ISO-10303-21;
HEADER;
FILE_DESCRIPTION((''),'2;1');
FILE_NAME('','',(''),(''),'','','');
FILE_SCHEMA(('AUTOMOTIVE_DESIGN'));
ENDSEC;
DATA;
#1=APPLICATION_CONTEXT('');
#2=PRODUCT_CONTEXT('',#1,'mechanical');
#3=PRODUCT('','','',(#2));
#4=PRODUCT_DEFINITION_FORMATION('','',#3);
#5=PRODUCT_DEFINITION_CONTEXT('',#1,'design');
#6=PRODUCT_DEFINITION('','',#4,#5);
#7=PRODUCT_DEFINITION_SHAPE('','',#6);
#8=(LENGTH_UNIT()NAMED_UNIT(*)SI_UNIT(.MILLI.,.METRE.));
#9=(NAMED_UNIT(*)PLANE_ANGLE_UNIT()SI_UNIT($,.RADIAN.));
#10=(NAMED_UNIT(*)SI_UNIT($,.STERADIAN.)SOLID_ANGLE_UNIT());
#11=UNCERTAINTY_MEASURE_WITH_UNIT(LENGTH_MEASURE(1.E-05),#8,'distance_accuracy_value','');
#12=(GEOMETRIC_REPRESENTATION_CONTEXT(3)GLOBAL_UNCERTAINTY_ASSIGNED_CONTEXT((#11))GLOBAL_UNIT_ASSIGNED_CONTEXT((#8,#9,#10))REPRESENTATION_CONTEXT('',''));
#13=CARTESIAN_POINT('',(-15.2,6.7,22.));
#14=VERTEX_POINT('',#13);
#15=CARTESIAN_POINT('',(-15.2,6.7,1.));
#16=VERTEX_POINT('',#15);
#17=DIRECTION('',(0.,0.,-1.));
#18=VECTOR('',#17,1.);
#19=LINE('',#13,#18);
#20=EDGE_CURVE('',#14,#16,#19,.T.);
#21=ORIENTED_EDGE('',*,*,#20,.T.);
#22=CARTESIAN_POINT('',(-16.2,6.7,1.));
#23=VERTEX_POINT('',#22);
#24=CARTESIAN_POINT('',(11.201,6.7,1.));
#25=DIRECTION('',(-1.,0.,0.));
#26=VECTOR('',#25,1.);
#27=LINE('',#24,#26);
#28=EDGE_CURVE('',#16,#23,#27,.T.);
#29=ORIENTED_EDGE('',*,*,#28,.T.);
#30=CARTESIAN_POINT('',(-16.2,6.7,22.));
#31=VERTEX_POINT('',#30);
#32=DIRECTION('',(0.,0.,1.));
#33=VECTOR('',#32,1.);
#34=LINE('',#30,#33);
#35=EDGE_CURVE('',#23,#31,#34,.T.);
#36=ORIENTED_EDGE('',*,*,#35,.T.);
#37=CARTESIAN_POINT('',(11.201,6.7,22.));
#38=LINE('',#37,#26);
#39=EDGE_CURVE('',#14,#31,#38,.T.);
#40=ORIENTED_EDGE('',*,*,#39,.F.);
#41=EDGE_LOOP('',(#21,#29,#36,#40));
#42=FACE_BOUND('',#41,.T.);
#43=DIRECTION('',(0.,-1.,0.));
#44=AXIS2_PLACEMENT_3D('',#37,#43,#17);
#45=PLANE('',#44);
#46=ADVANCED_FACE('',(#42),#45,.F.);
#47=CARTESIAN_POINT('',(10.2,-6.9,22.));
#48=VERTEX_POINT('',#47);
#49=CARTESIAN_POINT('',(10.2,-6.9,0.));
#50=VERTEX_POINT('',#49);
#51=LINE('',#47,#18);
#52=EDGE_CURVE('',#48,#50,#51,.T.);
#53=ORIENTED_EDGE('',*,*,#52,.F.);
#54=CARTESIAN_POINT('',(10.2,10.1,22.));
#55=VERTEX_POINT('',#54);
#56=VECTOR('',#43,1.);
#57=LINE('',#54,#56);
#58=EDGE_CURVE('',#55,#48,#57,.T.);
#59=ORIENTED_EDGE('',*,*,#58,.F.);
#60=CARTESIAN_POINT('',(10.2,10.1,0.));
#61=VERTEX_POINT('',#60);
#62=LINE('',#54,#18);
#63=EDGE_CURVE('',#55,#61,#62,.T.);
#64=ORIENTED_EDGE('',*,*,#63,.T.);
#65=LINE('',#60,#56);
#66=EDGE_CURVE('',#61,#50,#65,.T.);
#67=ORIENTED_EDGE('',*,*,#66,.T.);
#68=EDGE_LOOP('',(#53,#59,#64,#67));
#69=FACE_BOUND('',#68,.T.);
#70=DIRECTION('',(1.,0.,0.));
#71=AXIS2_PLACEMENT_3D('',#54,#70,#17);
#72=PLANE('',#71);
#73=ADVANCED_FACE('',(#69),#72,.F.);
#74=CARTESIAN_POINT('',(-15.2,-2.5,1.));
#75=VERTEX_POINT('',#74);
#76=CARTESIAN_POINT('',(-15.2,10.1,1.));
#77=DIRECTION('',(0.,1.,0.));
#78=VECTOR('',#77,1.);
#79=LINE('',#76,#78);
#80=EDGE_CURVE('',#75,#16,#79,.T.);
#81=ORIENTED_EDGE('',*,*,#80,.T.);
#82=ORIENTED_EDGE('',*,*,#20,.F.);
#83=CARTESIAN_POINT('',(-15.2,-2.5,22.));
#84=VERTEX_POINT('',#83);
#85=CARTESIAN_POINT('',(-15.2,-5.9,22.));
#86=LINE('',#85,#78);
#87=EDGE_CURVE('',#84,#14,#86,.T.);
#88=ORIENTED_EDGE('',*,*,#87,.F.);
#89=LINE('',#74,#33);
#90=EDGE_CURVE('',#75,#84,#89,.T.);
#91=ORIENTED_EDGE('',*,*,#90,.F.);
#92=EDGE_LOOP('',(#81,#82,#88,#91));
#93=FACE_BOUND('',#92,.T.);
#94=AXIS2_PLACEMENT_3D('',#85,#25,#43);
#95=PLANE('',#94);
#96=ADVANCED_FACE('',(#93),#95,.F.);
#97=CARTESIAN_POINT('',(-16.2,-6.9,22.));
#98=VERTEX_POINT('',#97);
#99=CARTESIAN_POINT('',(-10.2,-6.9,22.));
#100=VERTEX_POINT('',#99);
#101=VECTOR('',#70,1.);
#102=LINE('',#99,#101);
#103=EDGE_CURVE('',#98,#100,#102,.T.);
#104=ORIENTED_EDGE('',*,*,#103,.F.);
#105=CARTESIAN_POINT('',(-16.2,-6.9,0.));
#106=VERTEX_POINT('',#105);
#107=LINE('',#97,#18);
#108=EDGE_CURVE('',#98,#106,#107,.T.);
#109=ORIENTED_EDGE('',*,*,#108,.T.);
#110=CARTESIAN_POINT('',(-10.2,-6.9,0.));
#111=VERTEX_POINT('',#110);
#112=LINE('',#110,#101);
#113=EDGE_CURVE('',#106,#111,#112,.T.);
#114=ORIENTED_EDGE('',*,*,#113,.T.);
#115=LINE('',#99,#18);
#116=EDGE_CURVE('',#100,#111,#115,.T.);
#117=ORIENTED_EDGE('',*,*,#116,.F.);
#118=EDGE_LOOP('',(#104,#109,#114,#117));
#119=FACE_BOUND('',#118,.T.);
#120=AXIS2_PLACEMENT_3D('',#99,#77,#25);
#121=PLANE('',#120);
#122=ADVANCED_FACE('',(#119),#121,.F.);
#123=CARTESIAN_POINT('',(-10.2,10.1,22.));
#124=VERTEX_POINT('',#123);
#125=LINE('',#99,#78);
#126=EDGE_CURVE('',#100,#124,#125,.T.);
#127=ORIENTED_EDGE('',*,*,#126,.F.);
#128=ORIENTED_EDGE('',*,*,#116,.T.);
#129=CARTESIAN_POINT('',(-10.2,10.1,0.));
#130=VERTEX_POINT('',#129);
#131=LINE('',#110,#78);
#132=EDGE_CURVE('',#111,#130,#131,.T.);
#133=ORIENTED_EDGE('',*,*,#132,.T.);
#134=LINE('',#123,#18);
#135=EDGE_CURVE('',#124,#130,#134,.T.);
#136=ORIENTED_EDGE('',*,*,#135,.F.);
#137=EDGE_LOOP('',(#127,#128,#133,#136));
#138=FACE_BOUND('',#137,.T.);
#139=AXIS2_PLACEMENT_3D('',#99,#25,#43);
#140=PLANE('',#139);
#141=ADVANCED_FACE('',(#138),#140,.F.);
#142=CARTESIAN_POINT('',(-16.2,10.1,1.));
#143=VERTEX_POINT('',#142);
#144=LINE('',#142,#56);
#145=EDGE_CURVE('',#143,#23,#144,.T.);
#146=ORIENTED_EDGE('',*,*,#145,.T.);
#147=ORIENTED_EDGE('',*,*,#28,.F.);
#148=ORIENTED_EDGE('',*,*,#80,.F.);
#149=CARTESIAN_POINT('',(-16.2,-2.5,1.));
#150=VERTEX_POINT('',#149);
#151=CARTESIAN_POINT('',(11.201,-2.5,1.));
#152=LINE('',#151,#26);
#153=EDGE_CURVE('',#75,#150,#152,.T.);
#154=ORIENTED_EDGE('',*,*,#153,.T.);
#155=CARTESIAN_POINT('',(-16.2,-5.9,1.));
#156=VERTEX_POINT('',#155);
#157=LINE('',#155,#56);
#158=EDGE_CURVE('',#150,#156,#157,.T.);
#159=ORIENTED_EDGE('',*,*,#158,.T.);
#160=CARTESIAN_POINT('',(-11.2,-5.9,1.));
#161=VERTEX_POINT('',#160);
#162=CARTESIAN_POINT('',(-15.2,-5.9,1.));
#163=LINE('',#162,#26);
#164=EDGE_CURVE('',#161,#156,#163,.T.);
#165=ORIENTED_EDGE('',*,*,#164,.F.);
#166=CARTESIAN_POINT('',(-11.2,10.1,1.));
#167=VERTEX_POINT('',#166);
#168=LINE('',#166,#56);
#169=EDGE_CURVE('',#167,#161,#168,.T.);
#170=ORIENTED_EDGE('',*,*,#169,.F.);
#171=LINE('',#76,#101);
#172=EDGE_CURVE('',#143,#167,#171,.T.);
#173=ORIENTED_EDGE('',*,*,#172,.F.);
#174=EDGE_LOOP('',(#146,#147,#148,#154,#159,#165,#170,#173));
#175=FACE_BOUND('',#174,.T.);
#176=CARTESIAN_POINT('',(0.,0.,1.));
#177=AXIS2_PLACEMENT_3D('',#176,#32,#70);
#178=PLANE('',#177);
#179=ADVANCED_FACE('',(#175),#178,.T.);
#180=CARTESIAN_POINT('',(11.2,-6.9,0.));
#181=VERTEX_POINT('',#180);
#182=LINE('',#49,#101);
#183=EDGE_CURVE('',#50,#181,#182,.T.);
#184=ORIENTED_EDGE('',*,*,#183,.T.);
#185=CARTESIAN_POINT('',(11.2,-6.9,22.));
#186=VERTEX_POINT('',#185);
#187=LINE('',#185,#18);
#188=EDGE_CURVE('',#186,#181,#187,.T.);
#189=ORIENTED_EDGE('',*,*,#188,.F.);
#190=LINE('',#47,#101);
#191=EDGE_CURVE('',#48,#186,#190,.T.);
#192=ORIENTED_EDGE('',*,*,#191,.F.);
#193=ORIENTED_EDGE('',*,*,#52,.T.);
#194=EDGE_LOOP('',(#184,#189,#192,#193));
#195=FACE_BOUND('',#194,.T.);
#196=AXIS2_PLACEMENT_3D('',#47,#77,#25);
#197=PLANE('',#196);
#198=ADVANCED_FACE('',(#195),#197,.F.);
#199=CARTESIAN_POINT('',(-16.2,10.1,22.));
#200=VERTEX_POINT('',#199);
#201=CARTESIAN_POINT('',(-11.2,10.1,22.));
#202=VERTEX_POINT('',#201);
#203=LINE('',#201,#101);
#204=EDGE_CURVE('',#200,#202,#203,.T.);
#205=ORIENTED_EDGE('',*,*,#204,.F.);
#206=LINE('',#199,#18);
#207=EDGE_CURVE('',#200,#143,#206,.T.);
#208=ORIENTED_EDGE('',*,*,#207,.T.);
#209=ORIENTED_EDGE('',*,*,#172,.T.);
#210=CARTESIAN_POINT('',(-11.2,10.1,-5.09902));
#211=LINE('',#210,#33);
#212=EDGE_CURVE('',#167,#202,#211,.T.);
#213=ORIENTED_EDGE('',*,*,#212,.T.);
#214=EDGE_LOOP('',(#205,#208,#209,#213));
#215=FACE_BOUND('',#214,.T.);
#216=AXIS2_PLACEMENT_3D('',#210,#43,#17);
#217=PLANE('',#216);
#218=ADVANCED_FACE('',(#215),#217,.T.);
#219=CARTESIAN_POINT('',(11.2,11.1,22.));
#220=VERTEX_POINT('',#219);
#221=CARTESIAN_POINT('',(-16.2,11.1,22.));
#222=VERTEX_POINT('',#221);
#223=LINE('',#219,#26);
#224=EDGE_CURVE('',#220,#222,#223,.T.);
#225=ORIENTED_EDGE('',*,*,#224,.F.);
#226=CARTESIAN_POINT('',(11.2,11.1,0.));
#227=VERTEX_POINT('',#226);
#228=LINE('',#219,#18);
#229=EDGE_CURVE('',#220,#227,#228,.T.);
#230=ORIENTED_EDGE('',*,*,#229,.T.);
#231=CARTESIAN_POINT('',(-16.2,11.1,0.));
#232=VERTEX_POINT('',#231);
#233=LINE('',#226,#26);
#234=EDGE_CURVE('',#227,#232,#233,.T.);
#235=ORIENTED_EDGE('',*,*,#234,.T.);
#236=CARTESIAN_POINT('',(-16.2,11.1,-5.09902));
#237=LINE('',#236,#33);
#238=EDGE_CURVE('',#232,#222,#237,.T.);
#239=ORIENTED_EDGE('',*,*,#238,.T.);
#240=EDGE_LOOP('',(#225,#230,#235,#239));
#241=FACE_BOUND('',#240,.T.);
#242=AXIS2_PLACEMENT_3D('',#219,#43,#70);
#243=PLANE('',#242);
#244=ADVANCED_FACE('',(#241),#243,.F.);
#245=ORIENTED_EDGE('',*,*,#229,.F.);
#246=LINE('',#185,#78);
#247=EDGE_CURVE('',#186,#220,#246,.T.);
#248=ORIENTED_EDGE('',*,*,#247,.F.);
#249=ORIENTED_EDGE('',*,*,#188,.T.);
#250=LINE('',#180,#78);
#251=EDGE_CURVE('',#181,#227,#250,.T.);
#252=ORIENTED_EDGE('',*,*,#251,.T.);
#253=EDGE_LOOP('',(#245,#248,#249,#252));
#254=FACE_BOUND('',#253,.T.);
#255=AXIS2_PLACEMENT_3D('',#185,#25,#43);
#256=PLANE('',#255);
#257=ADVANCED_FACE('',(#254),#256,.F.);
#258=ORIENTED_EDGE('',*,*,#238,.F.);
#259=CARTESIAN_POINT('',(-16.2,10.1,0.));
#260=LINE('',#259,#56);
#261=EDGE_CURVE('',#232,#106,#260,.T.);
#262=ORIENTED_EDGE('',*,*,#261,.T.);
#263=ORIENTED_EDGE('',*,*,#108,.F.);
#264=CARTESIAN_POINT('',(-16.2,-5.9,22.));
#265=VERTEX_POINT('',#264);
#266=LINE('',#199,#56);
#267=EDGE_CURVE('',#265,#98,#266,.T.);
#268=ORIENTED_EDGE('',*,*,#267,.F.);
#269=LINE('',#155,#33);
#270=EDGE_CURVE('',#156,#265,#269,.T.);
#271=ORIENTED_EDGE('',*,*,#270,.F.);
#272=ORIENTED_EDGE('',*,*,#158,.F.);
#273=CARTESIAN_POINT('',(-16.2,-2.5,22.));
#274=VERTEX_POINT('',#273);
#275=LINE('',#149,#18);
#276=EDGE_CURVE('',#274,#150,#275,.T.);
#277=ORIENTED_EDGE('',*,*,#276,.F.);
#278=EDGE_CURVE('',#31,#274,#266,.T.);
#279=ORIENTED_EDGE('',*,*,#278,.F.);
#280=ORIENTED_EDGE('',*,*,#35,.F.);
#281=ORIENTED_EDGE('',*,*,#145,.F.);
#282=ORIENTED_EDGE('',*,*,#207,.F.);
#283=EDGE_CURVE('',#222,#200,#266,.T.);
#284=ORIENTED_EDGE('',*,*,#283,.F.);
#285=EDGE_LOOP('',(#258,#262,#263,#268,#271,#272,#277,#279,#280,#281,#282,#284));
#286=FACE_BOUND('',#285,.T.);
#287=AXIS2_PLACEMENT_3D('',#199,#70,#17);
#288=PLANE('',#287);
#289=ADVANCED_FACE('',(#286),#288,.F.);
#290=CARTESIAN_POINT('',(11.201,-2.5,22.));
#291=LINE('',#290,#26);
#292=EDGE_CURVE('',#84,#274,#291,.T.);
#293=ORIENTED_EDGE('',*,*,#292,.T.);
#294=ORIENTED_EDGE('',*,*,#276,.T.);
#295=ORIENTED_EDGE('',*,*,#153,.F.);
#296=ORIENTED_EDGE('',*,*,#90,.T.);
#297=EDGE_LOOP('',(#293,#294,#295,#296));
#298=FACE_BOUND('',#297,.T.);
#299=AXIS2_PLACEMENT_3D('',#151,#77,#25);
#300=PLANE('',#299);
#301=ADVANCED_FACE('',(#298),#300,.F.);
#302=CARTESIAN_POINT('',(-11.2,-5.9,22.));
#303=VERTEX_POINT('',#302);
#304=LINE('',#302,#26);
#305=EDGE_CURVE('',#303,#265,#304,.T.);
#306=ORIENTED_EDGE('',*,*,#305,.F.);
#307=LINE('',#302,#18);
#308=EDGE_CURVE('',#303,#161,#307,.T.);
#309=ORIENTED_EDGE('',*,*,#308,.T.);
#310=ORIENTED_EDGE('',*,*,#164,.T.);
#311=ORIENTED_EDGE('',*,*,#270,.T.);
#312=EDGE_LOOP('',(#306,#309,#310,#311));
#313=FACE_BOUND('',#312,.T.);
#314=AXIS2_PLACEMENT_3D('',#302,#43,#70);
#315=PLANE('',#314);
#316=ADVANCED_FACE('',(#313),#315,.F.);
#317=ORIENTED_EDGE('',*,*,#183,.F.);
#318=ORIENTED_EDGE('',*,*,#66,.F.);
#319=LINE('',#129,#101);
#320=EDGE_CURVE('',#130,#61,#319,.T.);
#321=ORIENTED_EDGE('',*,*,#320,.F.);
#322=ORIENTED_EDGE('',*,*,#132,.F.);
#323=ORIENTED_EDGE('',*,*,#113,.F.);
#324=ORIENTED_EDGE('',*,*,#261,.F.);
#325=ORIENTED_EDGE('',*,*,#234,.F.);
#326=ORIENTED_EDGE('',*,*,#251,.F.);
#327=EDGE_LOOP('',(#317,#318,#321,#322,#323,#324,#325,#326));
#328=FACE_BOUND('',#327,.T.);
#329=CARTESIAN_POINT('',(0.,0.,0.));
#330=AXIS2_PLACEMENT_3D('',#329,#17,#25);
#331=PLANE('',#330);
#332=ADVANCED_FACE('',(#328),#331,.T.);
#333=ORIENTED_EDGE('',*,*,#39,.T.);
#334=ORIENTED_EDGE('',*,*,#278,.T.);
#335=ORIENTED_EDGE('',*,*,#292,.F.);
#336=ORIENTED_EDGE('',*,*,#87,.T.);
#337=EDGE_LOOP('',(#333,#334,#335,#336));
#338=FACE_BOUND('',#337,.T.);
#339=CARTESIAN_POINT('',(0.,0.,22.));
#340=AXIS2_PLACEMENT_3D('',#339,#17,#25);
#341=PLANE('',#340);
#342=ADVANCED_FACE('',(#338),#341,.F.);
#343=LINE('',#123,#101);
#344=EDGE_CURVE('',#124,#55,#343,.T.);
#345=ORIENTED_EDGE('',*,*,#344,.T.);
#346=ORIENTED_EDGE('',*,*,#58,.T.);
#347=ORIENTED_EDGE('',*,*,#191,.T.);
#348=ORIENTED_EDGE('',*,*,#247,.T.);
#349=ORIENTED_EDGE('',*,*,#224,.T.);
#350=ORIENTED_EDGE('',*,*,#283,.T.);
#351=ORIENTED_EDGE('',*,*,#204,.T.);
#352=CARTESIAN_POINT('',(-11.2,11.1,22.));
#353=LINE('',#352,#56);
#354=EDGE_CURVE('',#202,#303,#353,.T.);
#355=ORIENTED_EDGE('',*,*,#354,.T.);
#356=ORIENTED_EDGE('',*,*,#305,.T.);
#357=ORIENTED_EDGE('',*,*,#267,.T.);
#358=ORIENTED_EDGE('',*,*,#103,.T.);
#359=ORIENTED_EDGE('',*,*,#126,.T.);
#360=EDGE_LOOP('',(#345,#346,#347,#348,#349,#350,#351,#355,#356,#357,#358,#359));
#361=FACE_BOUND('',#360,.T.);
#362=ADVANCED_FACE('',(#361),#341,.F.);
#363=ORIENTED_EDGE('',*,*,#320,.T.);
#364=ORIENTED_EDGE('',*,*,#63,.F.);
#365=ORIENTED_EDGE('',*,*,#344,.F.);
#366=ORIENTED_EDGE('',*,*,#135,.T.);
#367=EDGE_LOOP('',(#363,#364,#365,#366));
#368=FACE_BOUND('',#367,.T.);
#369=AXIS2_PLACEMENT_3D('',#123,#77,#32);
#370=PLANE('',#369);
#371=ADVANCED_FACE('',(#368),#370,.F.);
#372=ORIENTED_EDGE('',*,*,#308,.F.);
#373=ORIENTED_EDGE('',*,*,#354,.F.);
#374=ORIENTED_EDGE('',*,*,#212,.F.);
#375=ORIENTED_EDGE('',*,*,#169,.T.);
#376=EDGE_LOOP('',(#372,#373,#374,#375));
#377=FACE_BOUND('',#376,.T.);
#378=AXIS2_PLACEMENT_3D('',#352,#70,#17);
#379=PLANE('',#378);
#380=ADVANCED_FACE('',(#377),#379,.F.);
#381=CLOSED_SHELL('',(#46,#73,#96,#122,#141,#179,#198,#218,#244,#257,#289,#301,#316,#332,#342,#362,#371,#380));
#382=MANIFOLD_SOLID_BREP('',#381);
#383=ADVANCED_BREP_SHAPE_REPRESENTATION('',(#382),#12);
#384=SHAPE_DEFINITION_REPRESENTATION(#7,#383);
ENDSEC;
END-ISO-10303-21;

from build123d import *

# Parameters (mm, degrees)
BOSS_EXTRUDE2_DEPTH = 22
SKETCH3_W           = 4
SKETCH3_H           = 16
BOSS_EXTRUDE3_DEPTH = 1
SKETCH6_W           = 5
SKETCH6_H           = 1
BOSS_EXTRUDE4_DEPTH = 22
CUT_EXTRUDE1_REACH  = 38.851
SKETCH7_W           = 21
SKETCH7_H           = 3.4


with BuildPart() as part:
    # Sketch2 → Boss-Extrude2 (new body)
    with BuildSketch(Plane.XY):
        Polygon((11.2, -6.9), (11.2, 11.1), (-11.2, 11.1), (-11.2, -5.9), (-15.2, -5.9), (-15.2, 10.1), (-16.2, 10.1), (-16.2, -6.9), (-10.2, -6.9), (-10.2, 10.1), (10.2, 10.1), (10.2, -6.9), align=None)
    extrude(amount=BOSS_EXTRUDE2_DEPTH)

    # Sketch3 → Boss-Extrude3 (add)
    with BuildSketch(Plane(origin=(0, 0, 0), x_dir=(-1, 0, 0), z_dir=(0, 0, -1))):
        with Locations((13.2, 2.1)):
            Rectangle(SKETCH3_W, SKETCH3_H)
    extrude(amount=-BOSS_EXTRUDE3_DEPTH)

    # Sketch6 → Boss-Extrude4 (add)
    with BuildSketch(Plane.XY.offset(22)):
        with Locations((-13.7, 10.6)):
            Rectangle(SKETCH6_W, SKETCH6_H)
    extrude(amount=-BOSS_EXTRUDE4_DEPTH)

    # Sketch7 → Cut-Extrude1 (cut, up to next)
    with BuildSketch(Plane.ZY.offset(16.2), mode=Mode.PRIVATE) as cut_extrude1_sk1:
        with Locations((11.5, -4.2)):
            Rectangle(SKETCH7_W, SKETCH7_H)
    cut_extrude1_tool1 = extrude(cut_extrude1_sk1.sketch, amount=-CUT_EXTRUDE1_REACH, mode=Mode.PRIVATE) & part.part
    # Sketch7 → Cut-Extrude1 (cut, up to next)
    with BuildSketch(Plane.ZY.offset(16.2), mode=Mode.PRIVATE) as cut_extrude1_sk2:
        with Locations((11.5, 8.4)):
            Rectangle(SKETCH7_W, SKETCH7_H)
    cut_extrude1_tool2 = extrude(cut_extrude1_sk2.sketch, amount=-CUT_EXTRUDE1_REACH, mode=Mode.PRIVATE) & part.part
    add(cut_extrude1_tool1.solids().sort_by_distance((-16.2, -4.2, 11.5))[0], mode=Mode.SUBTRACT)
    add(cut_extrude1_tool2.solids().sort_by_distance((-16.2, 8.4, 11.5))[0], mode=Mode.SUBTRACT)


solid = part.part
